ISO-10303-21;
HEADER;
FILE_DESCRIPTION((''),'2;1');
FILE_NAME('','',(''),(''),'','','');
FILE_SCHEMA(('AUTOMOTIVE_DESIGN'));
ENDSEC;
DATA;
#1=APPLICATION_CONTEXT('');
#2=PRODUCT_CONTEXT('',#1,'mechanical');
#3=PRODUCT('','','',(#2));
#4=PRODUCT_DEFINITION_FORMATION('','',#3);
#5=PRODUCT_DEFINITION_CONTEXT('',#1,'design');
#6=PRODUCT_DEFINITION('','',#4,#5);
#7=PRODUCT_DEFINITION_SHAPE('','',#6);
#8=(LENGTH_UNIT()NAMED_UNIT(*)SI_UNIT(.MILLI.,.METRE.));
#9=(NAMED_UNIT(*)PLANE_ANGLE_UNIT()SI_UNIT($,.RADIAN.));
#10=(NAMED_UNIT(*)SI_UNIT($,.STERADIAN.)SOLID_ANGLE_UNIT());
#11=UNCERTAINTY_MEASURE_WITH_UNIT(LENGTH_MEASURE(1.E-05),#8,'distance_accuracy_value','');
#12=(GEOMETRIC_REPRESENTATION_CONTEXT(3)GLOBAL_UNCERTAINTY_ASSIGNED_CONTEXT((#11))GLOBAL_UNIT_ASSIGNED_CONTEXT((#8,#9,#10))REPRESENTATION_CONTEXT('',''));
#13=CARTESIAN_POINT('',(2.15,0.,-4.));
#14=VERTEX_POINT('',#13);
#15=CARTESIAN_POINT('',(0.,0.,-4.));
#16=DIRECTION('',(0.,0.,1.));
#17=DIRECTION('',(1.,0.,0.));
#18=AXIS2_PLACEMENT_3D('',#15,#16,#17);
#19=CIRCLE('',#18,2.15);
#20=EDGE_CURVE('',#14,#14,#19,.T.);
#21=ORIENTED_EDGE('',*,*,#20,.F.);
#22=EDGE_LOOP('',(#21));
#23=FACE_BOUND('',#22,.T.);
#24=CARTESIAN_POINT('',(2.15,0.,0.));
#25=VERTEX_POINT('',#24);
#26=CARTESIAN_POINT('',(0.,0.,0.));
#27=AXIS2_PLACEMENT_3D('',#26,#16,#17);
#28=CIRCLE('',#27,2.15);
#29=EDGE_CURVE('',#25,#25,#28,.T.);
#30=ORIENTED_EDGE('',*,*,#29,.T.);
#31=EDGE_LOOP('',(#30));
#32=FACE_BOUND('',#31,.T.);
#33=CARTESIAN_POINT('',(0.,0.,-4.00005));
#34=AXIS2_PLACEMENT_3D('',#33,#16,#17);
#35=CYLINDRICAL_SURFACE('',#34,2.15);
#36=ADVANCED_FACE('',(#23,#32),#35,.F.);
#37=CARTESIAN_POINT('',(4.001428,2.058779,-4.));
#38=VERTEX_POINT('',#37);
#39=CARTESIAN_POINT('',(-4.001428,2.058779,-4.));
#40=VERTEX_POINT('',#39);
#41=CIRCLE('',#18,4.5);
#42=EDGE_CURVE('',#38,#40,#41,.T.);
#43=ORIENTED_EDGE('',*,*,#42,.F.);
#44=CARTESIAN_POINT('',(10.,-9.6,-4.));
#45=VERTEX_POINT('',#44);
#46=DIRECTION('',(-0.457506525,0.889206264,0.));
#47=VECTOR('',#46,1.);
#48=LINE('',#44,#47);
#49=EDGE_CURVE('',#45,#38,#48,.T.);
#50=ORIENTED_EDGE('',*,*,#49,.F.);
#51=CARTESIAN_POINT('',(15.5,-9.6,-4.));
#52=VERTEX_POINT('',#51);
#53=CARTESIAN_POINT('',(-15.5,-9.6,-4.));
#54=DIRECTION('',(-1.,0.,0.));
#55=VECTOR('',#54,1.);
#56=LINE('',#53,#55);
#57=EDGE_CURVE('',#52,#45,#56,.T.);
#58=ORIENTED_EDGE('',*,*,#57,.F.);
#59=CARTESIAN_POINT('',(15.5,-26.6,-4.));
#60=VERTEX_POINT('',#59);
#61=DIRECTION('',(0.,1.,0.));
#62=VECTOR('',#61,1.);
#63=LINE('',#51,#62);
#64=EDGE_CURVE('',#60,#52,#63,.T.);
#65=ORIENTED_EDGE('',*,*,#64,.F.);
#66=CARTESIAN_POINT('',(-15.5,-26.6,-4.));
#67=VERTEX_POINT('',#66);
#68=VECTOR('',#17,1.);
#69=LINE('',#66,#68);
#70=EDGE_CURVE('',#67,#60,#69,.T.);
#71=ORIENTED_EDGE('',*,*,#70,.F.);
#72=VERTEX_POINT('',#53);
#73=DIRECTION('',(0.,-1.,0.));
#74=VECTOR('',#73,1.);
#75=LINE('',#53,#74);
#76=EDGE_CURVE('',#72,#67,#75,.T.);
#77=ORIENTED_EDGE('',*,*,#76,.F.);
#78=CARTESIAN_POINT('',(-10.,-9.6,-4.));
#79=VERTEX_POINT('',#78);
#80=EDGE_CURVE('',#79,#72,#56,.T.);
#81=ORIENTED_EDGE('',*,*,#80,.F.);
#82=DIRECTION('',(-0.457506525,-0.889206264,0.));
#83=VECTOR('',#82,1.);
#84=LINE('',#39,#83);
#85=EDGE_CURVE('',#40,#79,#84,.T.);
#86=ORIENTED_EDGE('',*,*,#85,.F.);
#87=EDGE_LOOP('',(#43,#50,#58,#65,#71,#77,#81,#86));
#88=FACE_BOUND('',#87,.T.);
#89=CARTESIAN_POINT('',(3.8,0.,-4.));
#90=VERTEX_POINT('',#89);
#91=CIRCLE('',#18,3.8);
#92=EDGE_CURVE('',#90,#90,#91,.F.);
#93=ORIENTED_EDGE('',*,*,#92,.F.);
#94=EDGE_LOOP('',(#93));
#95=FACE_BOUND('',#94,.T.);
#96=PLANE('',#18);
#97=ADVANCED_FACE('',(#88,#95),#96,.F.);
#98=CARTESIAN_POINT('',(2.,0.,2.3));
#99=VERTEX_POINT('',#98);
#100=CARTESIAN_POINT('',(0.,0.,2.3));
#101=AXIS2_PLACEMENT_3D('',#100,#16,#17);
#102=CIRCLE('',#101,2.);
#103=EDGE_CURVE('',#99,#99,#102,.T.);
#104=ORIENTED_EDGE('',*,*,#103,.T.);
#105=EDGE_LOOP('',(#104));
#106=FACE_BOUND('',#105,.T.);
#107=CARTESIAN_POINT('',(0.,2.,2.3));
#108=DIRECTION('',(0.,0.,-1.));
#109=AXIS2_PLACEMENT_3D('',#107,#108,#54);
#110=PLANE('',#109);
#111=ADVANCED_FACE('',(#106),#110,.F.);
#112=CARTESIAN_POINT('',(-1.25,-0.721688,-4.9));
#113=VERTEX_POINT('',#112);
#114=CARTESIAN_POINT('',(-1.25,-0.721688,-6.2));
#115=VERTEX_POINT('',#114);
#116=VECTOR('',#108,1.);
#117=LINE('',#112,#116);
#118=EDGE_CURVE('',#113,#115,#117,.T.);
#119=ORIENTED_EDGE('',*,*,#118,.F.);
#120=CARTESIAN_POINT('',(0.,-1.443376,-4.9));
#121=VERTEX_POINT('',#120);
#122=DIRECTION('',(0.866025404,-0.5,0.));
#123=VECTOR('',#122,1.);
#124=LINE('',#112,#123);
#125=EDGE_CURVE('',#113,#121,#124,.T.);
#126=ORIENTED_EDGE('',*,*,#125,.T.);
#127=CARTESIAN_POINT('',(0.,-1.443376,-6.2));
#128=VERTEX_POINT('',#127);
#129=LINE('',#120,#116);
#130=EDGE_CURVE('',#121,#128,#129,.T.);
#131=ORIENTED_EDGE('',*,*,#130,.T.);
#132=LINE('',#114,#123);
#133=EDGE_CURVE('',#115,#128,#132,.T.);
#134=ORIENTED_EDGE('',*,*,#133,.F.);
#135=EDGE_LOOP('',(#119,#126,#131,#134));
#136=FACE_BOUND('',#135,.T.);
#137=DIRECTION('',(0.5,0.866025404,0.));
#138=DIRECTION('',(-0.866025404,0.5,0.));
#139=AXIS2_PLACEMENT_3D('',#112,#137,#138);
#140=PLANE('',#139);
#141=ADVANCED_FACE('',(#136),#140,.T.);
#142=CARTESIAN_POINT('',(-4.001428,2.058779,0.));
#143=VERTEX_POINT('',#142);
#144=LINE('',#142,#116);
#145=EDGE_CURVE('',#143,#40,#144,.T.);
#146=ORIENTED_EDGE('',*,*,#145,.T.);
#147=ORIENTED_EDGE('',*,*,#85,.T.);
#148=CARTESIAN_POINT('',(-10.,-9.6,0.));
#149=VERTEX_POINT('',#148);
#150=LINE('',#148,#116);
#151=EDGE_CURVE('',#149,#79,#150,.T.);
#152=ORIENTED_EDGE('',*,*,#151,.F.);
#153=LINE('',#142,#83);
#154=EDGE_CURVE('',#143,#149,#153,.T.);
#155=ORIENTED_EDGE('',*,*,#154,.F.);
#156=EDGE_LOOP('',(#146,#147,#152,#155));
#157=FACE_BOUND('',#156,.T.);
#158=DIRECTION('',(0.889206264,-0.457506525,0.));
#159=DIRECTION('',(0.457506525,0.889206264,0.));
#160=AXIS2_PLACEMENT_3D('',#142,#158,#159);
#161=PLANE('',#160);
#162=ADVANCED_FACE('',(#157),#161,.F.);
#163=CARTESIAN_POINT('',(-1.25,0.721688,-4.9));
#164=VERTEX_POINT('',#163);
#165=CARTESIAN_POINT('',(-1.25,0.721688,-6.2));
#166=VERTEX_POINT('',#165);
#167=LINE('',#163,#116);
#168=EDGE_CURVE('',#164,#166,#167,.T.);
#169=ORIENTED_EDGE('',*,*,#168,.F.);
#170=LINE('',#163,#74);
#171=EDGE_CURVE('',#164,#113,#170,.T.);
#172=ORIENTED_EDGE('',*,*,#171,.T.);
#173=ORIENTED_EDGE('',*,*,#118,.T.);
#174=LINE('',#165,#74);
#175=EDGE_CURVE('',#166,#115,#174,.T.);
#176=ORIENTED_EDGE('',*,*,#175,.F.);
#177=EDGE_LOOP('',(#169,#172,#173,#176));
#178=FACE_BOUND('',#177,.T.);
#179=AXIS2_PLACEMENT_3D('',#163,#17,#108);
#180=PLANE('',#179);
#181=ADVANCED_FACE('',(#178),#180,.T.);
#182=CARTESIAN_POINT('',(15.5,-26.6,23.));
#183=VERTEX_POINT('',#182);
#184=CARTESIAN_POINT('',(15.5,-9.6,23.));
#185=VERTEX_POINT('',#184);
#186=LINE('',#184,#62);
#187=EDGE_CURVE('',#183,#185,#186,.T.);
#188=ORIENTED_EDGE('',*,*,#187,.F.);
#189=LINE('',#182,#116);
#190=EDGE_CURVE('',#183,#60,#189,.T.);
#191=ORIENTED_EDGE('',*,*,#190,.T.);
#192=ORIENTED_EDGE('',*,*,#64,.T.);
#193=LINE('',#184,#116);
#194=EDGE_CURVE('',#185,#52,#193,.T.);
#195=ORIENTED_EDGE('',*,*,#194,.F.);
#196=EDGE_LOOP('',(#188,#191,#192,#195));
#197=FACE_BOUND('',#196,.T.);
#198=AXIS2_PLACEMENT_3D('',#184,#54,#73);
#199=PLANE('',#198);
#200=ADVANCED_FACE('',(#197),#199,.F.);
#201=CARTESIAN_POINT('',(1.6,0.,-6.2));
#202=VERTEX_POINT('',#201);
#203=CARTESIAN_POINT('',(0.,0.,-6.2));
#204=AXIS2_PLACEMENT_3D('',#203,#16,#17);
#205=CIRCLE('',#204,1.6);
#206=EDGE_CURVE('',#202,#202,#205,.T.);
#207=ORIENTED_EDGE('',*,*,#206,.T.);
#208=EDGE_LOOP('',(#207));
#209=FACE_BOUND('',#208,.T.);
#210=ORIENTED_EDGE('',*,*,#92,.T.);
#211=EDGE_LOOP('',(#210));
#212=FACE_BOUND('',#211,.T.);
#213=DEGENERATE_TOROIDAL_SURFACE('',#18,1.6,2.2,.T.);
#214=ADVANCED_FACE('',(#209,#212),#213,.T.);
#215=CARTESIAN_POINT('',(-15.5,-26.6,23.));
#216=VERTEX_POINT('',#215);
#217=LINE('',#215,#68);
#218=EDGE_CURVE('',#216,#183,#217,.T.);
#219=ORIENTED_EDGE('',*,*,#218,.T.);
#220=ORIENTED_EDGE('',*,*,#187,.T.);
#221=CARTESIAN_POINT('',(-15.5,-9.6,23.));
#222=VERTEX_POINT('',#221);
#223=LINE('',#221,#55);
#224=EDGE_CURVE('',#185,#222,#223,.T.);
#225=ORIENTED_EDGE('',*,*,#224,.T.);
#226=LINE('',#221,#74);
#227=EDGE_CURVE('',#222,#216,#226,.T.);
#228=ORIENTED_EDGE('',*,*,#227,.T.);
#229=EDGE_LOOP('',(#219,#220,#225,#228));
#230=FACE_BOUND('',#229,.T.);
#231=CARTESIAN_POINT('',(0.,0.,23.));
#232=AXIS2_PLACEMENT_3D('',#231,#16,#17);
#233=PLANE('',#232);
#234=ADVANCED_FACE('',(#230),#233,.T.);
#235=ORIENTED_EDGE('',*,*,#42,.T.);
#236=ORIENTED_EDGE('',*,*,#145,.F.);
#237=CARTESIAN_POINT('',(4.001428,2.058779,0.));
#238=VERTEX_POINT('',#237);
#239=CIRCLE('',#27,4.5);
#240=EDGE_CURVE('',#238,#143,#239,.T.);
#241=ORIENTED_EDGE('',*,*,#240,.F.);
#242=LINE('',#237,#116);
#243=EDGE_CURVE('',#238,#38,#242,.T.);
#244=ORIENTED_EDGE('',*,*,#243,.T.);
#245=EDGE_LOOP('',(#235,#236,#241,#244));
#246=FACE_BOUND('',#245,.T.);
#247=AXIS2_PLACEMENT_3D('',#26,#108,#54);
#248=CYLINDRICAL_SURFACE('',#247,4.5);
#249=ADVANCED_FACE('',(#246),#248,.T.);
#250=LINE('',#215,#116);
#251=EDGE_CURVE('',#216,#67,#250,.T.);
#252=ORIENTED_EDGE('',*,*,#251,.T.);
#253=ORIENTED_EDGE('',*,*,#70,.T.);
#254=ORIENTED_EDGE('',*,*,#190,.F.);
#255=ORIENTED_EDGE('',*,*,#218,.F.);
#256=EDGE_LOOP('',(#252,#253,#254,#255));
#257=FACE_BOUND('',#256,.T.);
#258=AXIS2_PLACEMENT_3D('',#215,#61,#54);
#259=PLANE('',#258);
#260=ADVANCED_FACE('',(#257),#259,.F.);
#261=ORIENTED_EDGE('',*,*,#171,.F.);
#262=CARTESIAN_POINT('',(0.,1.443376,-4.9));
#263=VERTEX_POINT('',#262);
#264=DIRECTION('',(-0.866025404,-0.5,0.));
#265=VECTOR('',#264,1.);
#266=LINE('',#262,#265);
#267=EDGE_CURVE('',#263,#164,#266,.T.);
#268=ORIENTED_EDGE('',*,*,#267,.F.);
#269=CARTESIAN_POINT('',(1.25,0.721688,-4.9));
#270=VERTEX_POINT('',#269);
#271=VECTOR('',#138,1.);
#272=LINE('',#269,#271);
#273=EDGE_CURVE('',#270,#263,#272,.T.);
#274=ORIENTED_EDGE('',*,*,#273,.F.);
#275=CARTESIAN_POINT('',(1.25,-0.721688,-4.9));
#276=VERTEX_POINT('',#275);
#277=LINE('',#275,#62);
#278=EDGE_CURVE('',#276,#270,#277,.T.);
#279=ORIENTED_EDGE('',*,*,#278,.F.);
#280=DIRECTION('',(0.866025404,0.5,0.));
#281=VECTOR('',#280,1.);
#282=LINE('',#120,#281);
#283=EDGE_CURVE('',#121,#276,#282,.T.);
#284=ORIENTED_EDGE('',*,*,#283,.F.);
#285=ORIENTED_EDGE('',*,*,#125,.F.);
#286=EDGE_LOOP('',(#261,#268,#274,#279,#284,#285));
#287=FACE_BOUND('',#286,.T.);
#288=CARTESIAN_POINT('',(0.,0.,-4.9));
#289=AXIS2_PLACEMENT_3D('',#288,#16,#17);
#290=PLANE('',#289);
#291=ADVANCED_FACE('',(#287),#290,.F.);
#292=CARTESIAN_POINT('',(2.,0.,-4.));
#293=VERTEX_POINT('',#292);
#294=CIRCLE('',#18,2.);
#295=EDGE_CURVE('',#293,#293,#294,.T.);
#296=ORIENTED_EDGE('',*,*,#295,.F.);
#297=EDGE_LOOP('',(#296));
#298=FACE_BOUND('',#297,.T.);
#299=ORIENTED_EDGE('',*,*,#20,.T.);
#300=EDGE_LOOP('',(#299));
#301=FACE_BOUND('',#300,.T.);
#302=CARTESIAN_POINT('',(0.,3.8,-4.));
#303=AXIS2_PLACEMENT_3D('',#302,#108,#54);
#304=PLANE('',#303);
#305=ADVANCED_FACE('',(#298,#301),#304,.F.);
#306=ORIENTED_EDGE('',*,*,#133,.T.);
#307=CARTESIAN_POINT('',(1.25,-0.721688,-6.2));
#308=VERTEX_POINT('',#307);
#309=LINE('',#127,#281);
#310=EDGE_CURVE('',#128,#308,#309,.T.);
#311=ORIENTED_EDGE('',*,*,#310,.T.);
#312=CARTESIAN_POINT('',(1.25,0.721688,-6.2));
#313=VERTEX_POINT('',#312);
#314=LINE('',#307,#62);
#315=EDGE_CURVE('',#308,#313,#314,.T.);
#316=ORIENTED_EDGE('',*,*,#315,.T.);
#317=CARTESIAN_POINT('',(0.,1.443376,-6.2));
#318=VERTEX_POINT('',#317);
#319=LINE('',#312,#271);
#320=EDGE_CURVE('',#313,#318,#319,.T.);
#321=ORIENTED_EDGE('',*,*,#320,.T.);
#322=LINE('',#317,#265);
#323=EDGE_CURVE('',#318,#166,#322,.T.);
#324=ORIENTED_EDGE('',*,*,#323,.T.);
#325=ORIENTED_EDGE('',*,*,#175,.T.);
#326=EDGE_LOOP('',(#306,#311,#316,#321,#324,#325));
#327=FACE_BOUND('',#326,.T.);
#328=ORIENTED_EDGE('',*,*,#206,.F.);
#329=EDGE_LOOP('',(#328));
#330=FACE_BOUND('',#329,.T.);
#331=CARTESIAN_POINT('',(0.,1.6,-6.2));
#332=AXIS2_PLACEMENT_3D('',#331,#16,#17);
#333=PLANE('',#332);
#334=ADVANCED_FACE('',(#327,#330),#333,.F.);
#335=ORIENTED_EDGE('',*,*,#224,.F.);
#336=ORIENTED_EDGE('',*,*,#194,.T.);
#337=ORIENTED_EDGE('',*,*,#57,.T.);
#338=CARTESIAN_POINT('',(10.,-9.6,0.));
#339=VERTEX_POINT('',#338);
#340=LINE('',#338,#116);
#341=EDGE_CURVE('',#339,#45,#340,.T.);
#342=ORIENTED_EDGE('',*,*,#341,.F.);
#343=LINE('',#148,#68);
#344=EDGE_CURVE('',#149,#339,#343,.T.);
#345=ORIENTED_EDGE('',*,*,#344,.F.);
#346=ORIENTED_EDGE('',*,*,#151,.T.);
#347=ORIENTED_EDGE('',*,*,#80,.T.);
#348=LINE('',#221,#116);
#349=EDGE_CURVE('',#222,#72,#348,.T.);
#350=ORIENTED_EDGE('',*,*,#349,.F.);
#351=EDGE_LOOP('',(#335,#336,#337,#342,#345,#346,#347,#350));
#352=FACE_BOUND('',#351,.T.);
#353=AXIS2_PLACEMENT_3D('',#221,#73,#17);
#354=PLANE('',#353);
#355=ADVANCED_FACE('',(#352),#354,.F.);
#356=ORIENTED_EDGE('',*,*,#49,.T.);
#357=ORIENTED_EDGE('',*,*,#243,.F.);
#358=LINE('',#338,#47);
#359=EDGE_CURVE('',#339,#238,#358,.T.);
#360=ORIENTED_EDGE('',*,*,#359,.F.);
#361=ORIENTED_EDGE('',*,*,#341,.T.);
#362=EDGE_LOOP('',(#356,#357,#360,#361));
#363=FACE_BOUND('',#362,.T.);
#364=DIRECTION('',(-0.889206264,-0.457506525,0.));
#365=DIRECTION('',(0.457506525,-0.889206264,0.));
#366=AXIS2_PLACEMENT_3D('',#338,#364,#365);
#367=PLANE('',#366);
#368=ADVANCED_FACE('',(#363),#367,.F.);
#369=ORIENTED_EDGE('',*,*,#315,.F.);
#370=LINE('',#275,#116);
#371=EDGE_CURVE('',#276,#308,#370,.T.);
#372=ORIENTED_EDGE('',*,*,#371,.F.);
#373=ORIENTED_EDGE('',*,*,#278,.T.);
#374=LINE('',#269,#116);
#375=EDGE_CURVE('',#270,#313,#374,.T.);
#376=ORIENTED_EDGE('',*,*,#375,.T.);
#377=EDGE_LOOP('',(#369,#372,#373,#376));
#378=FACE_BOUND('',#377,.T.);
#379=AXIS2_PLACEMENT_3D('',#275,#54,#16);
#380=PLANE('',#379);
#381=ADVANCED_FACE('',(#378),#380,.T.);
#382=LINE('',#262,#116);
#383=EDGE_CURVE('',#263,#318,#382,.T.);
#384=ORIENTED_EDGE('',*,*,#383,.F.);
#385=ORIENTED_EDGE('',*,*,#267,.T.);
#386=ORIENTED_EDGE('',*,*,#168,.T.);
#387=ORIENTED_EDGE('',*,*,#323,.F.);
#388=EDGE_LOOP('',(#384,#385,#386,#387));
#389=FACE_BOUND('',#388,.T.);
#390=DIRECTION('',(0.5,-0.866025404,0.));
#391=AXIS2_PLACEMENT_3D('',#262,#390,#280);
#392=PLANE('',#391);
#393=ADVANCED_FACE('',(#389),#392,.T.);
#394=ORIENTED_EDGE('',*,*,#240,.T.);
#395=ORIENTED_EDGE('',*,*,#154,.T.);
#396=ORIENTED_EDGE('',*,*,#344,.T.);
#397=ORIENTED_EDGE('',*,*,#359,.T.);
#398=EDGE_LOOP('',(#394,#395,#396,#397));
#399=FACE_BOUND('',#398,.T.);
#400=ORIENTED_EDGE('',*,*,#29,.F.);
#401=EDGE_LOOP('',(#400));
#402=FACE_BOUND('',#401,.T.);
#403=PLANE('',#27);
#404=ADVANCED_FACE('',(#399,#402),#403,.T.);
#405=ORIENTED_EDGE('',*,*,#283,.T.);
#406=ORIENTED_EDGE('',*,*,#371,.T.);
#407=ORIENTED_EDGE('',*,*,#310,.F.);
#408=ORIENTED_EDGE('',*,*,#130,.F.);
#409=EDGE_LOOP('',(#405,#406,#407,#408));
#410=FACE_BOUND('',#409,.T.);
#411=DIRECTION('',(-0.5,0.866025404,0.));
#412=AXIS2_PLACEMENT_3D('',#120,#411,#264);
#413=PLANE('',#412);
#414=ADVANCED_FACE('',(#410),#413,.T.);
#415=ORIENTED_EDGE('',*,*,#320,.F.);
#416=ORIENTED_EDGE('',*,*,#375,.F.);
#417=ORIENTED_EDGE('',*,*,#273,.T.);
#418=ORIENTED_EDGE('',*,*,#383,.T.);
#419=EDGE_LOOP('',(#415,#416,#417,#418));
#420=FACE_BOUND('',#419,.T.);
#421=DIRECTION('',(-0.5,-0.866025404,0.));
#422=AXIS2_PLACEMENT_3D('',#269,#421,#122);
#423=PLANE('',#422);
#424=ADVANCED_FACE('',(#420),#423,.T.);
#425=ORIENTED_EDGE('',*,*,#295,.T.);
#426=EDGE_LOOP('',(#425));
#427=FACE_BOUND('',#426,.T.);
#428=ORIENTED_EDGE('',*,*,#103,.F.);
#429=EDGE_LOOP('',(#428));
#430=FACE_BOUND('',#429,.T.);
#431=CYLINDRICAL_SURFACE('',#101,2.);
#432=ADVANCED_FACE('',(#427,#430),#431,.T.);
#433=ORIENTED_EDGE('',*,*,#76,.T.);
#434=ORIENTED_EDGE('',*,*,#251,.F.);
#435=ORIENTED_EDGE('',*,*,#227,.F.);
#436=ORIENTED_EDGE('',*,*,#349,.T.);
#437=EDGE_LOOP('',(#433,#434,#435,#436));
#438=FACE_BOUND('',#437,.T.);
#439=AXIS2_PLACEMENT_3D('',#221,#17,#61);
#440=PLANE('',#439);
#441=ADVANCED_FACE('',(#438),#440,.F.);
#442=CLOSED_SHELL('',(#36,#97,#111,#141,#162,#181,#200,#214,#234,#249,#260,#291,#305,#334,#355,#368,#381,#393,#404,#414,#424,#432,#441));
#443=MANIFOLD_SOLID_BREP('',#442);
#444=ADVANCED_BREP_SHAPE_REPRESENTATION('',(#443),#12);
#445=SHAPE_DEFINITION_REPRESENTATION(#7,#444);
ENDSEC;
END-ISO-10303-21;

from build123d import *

# Parameters (mm, degrees)
BOSS_EXTRUDE1_DEPTH = 4
SKETCH2_W           = 31
SKETCH2_H           = 17
BOSS_EXTRUDE2_DEPTH = 27
SKETCH4_R           = 2.15
CUT_EXTRUDE1_DEPTH  = 39.429285708
CUT_EXTRUDE2_DEPTH  = 1.3


with BuildPart() as part:
    # Sketch1 → Boss-Extrude1 (new body)
    with BuildSketch(Plane.XY.offset(-4)):
        with BuildLine():
            Line((-10, -9.6), (10, -9.6))
            Line((10, -9.6), (4.001428187, 2.058779362))
            ThreePointArc((4.001428187, 2.058779362), (0, 4.5), (-4.001428187, 2.058779362))
            Line((-4.001428187, 2.058779362), (-10, -9.6))
        make_face()
    extrude(amount=BOSS_EXTRUDE1_DEPTH)

    # Sketch2 → Boss-Extrude2 (add)
    with BuildSketch(Plane.XY.offset(-4)):
        with Locations((0, -18.1)):
            Rectangle(SKETCH2_W, SKETCH2_H)
    extrude(amount=BOSS_EXTRUDE2_DEPTH)

    # Sketch4 → Cut-Extrude1 (cut, through all)
    with BuildSketch(Plane.XY):
        Circle(SKETCH4_R)
    extrude(amount=-CUT_EXTRUDE1_DEPTH, mode=Mode.SUBTRACT)

    # Sketch5 → Revolve1 (revolve)
    with BuildSketch(Plane(origin=(0, 0, 0), x_dir=(0, 0, -1), z_dir=(1, 0, 0))):
        with BuildLine():
            Line((-2.3, 0), (6.2, 0))
            Line((6.2, 0), (6.2, 1.6))
            ThreePointArc((6.2, 1.6), (5.555634919, 3.155634919), (4, 3.8))
            Line((4, 3.8), (4, 2))
            Line((4, 2), (-2.3, 2))
            Line((-2.3, 2), (-2.3, 0))
        make_face()
    revolve(axis=Axis((0, 0, 2.3), (0, 0, -1)))

    # Sketch6 → Cut-Extrude2 (cut)
    with BuildSketch(Plane.XY.offset(-6.2)):
        Polygon((0, 1.443375673), (-1.25, 0.721687836), (-1.25, -0.721687836), (0, -1.443375673), (1.25, -0.721687836), (1.25, 0.721687836), align=None)
    extrude(amount=CUT_EXTRUDE2_DEPTH, mode=Mode.SUBTRACT)


solid = part.part
